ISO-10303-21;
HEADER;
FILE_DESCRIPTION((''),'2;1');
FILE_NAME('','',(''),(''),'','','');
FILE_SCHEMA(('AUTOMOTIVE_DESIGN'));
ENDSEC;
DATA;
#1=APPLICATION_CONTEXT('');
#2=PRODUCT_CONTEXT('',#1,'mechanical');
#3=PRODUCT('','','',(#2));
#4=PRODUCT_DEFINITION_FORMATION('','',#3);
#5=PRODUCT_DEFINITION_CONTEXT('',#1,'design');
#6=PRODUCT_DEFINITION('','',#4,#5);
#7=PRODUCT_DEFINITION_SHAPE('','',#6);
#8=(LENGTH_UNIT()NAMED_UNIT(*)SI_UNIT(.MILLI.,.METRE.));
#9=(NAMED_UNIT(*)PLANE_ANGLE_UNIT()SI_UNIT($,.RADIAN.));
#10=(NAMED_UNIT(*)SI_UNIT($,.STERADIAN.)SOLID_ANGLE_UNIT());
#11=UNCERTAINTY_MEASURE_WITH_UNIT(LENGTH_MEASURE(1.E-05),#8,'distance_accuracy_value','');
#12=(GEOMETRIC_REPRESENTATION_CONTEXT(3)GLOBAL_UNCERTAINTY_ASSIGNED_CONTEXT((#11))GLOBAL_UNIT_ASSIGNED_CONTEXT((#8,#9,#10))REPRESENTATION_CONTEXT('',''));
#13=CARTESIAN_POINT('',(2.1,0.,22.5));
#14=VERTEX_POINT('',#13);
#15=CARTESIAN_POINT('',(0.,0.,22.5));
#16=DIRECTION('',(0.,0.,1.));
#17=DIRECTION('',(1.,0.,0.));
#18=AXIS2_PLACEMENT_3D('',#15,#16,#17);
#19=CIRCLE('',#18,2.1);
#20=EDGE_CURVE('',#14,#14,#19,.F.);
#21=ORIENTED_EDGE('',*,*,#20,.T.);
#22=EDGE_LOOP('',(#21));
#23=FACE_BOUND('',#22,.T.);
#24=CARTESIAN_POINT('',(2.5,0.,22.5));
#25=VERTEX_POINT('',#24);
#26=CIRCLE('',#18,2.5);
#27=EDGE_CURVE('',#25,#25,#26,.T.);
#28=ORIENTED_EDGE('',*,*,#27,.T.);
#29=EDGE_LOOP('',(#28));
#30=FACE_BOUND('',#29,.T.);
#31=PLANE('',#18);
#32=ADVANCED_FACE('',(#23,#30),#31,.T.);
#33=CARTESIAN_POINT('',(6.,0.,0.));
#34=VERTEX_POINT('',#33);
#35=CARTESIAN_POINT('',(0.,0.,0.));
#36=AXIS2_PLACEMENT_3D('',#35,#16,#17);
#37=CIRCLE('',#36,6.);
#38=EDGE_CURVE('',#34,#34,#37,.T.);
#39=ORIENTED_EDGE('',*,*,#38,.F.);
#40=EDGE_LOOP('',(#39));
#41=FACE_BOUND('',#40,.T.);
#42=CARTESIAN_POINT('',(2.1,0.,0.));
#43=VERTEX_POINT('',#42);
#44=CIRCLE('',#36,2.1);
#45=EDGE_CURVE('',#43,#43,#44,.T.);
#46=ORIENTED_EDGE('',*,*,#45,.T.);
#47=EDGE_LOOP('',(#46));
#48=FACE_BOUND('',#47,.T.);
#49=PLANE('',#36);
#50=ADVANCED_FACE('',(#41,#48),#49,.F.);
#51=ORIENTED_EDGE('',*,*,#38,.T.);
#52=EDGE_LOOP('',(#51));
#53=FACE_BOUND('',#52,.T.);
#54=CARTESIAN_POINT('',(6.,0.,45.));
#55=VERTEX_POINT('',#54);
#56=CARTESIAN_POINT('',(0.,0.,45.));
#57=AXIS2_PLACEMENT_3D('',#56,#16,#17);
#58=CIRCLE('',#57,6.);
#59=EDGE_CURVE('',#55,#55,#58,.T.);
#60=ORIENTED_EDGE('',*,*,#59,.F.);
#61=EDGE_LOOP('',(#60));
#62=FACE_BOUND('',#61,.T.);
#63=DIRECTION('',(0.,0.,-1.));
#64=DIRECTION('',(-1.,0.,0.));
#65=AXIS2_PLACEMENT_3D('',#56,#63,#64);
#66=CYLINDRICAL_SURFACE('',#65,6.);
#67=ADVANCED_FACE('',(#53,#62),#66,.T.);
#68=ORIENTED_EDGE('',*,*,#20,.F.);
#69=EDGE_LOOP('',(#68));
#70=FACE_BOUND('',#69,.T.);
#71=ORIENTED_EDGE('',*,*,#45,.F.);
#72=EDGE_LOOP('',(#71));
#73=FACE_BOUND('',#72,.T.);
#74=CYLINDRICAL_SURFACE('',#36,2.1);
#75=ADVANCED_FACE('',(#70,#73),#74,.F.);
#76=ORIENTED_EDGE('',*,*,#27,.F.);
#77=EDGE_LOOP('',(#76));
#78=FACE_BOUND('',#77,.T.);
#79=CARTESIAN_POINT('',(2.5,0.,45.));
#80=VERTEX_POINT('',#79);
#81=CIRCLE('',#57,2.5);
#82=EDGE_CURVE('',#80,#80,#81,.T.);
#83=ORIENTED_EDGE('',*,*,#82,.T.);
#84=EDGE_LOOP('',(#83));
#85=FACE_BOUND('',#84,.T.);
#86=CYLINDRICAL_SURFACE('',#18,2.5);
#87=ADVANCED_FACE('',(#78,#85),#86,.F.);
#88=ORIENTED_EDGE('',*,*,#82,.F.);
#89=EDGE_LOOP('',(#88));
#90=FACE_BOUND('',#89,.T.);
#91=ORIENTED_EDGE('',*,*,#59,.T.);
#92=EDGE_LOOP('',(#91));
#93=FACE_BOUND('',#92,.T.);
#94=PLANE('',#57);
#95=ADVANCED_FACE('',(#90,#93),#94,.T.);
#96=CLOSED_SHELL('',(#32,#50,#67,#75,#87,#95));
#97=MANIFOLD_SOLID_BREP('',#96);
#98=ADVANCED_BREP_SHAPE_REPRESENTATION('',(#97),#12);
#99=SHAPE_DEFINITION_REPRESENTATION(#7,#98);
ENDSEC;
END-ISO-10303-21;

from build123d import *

# Parameters (mm, degrees)
SKETCH1_R           = 6
BOSS_EXTRUDE1_DEPTH = 45
SKETCH2_R           = 2.1
CUT_EXTRUDE1_DEPTH  = 46
SKETCH5_R           = 2.5
CUT_EXTRUDE2_DEPTH  = 22.5


with BuildPart() as part:
    # Sketch1 → Boss-Extrude1 (new body)
    with BuildSketch(Plane.XY):
        Circle(SKETCH1_R)
    extrude(amount=BOSS_EXTRUDE1_DEPTH)

    # Sketch2 → Cut-Extrude1 (cut, through all)
    with BuildSketch(Plane.XY.offset(45)):
        Circle(SKETCH2_R)
    extrude(amount=-CUT_EXTRUDE1_DEPTH, mode=Mode.SUBTRACT)

    # Sketch5 → Cut-Extrude2 (cut, symmetric)
    with BuildSketch(Plane.XY.offset(45)):
        Circle(SKETCH5_R)
    extrude(amount=CUT_EXTRUDE2_DEPTH, both=True, mode=Mode.SUBTRACT)


solid = part.part
